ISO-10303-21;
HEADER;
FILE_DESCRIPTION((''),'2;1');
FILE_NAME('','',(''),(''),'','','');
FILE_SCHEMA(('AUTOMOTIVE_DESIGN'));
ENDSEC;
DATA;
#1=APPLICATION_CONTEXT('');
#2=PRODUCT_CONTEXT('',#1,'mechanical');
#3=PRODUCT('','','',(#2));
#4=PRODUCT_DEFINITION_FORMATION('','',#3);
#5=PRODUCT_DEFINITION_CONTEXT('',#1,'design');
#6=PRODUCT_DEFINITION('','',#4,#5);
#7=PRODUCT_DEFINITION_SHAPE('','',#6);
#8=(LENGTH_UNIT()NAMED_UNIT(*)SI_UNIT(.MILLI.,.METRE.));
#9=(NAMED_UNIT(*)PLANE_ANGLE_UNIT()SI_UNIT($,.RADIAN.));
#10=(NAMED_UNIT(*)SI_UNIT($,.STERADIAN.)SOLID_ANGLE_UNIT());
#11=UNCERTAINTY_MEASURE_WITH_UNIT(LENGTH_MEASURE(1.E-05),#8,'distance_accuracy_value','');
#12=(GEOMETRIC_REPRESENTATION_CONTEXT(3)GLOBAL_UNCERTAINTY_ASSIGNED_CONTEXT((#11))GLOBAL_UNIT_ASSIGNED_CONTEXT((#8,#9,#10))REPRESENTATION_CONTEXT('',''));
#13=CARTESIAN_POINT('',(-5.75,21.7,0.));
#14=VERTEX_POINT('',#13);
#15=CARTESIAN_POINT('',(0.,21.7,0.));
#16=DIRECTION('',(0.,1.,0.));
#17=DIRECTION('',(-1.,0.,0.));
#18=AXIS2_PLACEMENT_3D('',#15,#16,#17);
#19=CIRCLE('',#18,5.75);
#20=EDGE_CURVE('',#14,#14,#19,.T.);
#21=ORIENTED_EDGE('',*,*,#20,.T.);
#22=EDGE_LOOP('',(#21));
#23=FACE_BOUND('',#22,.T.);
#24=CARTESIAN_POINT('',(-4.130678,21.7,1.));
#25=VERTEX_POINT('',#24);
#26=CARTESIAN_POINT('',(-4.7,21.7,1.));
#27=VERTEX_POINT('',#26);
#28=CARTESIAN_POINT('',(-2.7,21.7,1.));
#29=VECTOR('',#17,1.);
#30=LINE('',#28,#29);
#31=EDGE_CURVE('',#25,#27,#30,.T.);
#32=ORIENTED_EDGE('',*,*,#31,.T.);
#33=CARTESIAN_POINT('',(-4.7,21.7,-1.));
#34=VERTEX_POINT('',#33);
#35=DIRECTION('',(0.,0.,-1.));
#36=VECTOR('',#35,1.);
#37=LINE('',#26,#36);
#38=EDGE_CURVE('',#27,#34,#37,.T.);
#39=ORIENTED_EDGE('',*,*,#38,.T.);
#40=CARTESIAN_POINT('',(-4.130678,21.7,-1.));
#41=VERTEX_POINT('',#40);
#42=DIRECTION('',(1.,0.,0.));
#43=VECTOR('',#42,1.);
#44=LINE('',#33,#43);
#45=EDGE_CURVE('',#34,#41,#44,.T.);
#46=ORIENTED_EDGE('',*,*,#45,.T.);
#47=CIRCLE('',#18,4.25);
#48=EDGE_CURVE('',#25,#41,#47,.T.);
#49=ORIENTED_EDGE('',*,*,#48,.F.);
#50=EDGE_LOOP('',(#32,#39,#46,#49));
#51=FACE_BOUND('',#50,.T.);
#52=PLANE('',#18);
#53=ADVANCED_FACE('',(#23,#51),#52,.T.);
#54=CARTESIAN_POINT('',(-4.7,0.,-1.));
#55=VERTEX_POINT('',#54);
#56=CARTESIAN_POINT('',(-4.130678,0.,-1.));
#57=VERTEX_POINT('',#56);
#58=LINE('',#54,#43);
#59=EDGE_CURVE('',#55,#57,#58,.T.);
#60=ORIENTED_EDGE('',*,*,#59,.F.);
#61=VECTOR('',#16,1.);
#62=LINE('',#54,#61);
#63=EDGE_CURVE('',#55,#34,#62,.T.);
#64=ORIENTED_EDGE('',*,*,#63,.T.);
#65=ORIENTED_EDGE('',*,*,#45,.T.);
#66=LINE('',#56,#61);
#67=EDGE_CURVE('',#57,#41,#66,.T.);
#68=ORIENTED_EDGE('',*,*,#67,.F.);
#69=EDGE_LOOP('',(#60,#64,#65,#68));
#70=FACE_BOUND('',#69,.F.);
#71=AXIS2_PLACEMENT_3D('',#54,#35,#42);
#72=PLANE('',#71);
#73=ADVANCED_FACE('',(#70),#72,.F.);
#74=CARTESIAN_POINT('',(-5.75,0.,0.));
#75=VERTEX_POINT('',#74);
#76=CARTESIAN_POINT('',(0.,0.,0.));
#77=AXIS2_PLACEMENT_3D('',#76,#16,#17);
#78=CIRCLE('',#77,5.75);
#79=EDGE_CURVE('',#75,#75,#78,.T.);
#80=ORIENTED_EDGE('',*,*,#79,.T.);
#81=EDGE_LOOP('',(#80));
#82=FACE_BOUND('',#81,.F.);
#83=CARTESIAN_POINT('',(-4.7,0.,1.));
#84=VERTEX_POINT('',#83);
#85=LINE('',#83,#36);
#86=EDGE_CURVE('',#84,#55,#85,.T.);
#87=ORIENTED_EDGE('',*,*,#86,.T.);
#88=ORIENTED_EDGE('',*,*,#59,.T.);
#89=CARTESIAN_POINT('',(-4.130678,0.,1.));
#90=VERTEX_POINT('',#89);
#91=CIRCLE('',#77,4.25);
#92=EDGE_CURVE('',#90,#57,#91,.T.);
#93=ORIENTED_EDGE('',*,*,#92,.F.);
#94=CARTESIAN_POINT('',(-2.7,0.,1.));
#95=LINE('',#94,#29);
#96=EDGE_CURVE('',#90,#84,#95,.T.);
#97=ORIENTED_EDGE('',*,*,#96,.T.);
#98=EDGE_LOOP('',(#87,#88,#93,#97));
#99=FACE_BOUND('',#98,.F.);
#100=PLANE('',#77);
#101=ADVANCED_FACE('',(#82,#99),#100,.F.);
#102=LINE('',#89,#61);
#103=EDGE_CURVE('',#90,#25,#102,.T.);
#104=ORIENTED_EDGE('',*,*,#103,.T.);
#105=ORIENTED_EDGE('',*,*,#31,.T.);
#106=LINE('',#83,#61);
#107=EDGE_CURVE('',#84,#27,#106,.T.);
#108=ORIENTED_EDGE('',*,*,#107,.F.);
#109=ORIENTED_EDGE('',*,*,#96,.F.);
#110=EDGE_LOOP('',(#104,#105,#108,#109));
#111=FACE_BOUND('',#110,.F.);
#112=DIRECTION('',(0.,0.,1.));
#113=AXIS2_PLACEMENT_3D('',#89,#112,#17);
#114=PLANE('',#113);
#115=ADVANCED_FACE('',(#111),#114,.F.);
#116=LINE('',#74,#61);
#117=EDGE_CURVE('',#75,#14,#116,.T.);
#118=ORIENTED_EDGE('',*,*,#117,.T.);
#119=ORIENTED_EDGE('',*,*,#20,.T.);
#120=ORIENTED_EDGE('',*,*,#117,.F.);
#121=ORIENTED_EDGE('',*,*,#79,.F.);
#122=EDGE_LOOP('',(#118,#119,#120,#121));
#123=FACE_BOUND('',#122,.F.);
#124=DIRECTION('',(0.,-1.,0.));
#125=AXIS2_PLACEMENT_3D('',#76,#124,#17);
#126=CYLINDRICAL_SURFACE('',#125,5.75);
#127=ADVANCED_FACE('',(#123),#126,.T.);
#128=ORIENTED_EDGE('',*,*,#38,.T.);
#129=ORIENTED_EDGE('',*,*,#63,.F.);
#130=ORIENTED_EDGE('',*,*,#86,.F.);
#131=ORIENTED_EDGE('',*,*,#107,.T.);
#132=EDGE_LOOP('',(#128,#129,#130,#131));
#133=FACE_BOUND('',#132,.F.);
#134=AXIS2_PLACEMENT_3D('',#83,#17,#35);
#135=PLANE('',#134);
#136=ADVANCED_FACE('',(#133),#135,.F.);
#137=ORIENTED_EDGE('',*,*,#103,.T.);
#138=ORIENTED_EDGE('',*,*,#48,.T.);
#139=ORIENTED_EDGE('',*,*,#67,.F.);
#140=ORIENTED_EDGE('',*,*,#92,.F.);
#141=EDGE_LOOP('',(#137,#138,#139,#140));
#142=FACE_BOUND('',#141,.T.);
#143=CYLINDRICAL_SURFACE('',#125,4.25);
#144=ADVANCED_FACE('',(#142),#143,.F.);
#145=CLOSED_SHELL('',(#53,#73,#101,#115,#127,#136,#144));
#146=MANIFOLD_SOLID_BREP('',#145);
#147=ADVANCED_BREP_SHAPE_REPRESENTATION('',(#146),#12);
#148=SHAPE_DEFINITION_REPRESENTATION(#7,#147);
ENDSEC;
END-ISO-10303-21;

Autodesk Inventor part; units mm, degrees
ref_plane "YZ Plane" through (0, 0, 0) normal (1, 0, 0) x (0, 1, 0)
ref_plane "XZ Plane" through (0, 0, 0) normal (0, 1, 0) x (-1, 0, 0)
ref_plane "XY Plane" through (0, 0, 0) normal (0, 0, 1) x (1, 0, 0)
sketch "Sketch1" plane through (0, 0, 0) normal (0, 1, 0) x (-1, 0, 0)
  circle A0 centre (0, 0) radius 4.25
  circle A1 centre (0, 0) radius 5.75
  line L0 (2.7, 1) -> (4.7, 1)
  line L1 (4.7, 1) -> (4.7, -1)
  line L2 (4.7, -1) -> (2.7, -1)
  line L3 (2.7, -1) -> (2.7, 1)
  line L4 (4.6972, 0) -> (0, 0) construction
  line L5 (3.7, 1) -> (3.7, -1) construction
  line L6 (4.7, 0) -> (0, 0) construction
  point P0 (4.1307, -1)
  point P1 (4.1307, 1)
  dimension "d0" = 8.5
  dimension "d1" = 1.5
  dimension "d2" = 2
  dimension "d3" = 2
  dimension "d6" = 2.7
extrude "Extrusion1" add sketch "Sketch1" along normal blind 21.7
properties part number "8mmKeyedShaftLongSpacer_BevelToSpurShaft"
